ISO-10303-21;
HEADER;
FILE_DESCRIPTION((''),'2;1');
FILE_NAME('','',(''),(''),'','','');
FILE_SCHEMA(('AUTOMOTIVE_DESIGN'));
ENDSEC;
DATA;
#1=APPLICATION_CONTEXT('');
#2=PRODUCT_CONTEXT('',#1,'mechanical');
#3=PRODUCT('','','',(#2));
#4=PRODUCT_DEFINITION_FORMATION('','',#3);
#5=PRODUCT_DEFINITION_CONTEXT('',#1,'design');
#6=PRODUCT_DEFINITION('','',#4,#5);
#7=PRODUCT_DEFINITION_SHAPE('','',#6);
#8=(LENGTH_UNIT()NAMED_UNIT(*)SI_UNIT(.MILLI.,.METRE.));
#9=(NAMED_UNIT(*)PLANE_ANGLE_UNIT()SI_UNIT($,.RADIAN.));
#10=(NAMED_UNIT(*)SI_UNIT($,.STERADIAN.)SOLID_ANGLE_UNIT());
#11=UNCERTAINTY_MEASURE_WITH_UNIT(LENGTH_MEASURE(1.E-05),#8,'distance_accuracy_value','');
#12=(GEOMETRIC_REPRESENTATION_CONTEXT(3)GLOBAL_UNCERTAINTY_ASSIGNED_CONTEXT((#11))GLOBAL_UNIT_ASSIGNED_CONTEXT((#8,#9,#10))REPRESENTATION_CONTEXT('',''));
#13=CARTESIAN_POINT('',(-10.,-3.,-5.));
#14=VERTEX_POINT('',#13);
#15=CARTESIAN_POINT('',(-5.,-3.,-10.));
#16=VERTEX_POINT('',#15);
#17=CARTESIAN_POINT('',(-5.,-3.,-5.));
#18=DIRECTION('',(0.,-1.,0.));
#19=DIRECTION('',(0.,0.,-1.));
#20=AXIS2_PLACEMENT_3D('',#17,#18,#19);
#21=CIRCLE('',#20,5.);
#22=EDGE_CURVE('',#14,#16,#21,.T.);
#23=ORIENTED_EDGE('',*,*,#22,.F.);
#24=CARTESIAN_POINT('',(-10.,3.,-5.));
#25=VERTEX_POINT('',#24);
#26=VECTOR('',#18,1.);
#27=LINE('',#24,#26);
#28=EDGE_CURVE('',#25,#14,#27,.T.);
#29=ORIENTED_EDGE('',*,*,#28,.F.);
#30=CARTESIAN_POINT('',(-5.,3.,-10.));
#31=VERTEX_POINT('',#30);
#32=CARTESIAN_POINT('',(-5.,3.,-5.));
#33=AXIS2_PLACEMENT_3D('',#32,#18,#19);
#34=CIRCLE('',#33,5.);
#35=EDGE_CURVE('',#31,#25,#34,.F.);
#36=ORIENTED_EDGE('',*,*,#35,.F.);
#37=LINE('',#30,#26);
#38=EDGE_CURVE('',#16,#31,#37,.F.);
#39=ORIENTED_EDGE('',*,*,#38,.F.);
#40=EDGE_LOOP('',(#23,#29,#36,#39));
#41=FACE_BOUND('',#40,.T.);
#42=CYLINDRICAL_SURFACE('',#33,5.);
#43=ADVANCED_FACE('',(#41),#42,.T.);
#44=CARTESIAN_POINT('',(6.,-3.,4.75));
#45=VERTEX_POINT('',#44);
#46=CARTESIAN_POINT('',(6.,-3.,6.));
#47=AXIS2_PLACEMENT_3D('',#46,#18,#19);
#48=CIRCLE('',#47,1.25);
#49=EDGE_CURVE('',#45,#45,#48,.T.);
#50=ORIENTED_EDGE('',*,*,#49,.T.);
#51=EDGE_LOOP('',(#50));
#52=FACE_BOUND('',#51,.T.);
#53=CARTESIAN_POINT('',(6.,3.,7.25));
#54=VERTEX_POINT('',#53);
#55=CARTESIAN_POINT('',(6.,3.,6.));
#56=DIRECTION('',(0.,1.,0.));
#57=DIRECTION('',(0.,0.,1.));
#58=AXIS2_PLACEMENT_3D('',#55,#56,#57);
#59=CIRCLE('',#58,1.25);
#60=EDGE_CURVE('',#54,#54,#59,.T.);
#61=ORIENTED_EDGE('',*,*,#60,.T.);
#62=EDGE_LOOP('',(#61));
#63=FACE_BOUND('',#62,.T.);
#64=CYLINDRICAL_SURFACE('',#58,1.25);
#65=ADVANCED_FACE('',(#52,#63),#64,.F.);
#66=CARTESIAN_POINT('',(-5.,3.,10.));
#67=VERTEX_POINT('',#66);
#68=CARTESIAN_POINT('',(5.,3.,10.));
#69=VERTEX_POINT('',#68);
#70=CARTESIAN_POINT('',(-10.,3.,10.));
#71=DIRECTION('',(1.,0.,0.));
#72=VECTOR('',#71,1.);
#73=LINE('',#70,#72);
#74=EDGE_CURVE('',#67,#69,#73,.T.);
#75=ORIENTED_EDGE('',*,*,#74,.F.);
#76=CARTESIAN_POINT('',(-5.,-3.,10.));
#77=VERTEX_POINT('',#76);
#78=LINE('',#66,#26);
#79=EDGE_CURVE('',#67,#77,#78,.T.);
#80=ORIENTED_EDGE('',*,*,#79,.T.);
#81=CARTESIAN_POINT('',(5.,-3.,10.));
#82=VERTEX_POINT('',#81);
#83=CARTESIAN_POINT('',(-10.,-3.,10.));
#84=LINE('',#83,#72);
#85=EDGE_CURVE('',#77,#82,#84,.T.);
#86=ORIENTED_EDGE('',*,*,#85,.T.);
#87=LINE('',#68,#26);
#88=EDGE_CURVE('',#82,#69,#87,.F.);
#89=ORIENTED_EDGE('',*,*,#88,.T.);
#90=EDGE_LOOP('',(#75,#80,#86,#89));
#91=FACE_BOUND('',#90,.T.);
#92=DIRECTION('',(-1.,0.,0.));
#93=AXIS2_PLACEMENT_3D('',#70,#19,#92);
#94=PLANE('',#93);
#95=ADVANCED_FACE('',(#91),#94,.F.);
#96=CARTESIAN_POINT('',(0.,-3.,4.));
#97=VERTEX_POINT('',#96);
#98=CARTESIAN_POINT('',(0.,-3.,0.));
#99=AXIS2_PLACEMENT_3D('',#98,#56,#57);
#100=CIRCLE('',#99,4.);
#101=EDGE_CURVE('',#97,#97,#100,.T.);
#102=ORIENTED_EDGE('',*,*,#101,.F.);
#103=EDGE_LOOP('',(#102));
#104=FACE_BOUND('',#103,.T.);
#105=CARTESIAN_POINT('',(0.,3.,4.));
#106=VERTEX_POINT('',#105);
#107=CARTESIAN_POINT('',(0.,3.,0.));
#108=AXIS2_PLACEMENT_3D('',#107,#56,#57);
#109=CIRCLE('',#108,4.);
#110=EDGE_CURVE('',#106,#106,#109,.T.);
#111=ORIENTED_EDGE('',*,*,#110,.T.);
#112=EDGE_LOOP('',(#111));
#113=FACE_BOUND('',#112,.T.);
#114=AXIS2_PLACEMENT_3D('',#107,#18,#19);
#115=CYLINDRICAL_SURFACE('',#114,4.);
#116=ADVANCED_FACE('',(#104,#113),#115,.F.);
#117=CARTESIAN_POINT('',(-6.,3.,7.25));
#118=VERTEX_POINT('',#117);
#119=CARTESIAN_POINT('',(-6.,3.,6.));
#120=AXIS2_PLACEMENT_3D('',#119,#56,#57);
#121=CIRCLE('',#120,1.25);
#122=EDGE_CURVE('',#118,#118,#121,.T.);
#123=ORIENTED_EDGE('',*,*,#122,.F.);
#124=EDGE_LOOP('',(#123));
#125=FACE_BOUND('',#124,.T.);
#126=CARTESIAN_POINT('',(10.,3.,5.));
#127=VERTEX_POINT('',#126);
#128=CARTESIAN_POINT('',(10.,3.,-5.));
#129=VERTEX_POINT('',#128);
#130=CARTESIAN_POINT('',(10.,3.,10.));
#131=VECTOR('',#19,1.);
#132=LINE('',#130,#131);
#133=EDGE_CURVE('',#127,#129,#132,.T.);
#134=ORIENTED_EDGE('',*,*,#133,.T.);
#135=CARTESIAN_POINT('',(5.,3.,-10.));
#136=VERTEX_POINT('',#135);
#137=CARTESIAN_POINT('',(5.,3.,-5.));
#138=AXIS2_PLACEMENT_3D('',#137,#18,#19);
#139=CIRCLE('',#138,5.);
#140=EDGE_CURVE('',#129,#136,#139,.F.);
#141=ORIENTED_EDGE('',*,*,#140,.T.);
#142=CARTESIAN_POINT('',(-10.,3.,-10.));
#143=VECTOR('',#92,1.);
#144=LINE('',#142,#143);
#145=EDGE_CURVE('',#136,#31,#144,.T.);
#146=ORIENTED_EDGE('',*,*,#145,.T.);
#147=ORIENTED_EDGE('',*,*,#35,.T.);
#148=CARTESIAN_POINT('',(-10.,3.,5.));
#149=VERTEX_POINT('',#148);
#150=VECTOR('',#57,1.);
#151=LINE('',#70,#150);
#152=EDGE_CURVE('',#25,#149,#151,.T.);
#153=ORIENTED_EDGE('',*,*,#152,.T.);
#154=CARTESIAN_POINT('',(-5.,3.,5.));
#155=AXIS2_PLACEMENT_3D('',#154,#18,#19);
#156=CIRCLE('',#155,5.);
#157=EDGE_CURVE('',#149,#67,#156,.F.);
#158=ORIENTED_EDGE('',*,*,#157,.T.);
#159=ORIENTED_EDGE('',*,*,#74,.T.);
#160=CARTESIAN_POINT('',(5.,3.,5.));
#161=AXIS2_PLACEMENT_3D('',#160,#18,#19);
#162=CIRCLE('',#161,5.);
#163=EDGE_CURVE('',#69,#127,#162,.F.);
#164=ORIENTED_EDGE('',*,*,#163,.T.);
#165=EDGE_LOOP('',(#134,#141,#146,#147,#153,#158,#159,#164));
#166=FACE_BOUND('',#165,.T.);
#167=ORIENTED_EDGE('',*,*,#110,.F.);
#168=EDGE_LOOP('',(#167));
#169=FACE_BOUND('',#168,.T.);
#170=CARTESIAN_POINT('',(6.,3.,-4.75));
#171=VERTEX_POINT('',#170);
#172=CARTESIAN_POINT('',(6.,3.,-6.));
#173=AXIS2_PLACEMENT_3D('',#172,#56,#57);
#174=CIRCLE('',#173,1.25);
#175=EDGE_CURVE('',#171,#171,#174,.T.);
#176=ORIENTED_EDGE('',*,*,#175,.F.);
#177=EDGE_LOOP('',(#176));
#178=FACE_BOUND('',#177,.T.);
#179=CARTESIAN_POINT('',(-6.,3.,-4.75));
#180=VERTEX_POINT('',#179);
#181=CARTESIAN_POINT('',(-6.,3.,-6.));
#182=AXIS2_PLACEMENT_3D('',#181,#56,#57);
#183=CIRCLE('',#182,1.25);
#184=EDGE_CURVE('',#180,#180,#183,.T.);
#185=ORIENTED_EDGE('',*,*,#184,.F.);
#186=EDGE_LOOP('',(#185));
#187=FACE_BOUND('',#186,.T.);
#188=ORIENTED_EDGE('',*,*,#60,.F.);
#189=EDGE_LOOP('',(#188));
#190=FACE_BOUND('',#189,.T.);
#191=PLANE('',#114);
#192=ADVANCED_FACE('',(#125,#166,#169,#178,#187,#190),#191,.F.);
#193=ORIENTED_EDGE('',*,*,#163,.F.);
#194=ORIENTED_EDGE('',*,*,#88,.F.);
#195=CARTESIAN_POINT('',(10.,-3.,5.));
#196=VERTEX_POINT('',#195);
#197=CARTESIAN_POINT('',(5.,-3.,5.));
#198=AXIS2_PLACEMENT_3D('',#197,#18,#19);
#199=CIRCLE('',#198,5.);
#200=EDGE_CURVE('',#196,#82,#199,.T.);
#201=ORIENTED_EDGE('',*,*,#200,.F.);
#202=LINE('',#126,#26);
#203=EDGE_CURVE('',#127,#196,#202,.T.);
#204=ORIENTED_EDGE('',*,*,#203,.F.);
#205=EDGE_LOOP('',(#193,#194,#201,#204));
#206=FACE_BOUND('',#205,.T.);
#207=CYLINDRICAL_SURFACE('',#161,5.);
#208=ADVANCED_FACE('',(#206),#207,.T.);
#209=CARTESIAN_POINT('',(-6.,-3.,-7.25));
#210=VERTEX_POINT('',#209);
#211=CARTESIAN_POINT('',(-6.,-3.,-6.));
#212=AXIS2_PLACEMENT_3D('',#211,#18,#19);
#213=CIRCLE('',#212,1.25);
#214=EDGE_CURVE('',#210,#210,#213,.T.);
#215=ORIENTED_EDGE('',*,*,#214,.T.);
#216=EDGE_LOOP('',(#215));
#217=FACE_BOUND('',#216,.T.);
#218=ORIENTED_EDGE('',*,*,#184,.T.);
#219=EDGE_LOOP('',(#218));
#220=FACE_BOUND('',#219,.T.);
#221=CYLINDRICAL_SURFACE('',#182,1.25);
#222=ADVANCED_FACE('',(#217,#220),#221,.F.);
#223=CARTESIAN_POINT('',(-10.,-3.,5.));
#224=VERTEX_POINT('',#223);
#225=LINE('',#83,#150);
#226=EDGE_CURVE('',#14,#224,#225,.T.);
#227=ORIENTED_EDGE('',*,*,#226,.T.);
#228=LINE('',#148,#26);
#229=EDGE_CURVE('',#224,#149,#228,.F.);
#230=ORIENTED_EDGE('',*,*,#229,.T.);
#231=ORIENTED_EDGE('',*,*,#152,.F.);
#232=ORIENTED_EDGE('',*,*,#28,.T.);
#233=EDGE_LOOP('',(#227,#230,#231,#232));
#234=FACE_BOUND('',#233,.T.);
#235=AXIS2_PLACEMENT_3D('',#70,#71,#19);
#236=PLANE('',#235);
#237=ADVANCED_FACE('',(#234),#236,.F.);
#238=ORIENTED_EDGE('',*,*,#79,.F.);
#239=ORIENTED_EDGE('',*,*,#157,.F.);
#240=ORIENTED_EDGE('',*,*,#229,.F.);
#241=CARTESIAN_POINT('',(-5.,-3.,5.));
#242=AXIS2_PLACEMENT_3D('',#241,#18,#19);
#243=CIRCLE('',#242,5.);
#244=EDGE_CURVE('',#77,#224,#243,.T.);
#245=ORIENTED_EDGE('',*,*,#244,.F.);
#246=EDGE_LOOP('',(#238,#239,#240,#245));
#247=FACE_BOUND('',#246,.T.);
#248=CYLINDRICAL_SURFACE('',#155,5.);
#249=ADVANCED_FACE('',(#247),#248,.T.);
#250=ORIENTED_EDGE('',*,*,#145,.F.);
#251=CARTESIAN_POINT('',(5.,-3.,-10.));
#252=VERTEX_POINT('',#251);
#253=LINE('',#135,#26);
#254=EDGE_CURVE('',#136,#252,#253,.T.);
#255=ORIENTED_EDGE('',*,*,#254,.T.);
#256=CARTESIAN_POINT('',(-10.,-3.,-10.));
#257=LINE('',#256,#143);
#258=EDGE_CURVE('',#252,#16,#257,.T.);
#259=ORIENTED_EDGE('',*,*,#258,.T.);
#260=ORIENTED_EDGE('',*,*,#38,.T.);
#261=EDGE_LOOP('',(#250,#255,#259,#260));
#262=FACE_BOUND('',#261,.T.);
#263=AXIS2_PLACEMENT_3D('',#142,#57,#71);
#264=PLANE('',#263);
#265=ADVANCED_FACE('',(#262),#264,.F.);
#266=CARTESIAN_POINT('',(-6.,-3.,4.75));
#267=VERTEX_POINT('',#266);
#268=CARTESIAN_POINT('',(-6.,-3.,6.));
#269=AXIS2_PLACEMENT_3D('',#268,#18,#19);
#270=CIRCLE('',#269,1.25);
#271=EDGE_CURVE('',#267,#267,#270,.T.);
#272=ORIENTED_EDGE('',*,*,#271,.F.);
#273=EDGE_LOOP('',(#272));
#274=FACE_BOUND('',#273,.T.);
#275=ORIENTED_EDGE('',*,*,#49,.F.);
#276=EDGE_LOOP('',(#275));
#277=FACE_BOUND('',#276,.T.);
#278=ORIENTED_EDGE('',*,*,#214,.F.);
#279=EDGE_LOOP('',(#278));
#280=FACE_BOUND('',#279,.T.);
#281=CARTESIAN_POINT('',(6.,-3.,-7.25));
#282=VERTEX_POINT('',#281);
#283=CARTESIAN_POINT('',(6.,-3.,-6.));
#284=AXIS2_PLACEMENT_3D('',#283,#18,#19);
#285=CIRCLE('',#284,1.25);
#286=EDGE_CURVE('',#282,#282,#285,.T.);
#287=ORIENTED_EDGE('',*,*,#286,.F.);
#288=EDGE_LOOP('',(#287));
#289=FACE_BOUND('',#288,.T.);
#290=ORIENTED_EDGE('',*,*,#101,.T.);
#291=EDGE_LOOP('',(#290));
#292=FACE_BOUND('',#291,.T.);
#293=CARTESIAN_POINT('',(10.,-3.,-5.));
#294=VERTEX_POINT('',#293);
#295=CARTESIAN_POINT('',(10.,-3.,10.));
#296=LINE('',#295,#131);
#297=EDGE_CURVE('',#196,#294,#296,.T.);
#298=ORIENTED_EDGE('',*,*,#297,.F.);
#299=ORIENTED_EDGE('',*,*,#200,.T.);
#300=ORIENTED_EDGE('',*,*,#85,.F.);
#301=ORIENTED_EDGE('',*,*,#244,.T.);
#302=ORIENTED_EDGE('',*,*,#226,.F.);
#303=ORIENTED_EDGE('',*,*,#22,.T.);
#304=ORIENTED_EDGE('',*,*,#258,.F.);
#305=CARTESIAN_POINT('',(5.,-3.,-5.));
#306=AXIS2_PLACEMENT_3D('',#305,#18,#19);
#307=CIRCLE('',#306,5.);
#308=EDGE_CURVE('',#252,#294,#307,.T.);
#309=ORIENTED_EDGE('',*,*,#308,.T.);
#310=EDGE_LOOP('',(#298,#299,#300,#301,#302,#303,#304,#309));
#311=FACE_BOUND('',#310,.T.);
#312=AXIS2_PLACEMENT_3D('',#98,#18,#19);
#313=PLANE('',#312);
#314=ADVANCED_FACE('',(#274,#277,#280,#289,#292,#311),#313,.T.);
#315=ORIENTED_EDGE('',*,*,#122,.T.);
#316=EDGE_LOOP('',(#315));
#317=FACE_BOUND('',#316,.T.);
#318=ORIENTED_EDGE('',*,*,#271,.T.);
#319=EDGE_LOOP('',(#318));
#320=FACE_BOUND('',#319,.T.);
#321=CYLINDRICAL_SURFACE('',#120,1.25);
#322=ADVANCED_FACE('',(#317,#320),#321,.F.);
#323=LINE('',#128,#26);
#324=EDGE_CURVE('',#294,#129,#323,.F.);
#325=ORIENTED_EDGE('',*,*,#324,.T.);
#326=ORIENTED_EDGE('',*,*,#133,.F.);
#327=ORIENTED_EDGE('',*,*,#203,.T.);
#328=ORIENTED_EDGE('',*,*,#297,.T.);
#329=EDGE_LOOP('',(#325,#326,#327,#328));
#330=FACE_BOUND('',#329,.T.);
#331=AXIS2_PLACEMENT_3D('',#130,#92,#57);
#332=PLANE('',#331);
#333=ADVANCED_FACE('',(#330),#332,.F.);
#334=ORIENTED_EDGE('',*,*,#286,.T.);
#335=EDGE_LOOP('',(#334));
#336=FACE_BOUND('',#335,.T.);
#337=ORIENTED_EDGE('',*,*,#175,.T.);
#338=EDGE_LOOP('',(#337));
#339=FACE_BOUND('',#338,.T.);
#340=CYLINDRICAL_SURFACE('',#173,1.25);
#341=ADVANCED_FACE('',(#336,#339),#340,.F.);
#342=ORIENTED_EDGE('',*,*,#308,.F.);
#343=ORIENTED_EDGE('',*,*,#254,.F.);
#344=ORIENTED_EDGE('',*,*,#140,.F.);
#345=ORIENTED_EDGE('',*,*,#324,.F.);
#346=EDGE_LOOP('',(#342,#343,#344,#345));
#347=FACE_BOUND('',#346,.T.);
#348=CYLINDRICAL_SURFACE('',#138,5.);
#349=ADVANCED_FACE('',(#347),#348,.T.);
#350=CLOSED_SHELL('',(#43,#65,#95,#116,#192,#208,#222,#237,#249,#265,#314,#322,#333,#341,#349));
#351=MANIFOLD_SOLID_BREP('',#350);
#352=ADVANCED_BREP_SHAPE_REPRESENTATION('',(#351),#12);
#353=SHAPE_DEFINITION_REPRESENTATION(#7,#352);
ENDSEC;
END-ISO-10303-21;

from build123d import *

# Parameters (mm, degrees)
CROQUIS1_W                = 20
CROQUIS1_H                = 20
CROQUIS1_R                = 4
SALIENTE_EXTRUIR1_DEPTH   = 3
TALADRO_ROSCADO_M3X0_52_D = 2.5
REDONDEO1_R               = 5


with BuildPart() as part:
    # Croquis1 → Saliente-Extruir1 (new, symmetric)
    with BuildSketch(Plane(origin=(0, 0, 0), x_dir=(1, 0, 0), z_dir=(0, 1, 0))):
        Rectangle(CROQUIS1_W, CROQUIS1_H)
        with Locations(Location((0, 0, 0), (0, 0, 270))):
            Circle(CROQUIS1_R, mode=Mode.SUBTRACT)
    extrude(amount=SALIENTE_EXTRUIR1_DEPTH, both=True)

    # Taladro roscado M3x0.52 (through all)
    with Locations(Plane(origin=(0, 3, 0), x_dir=(1, 0, 0), z_dir=(0, 1, 0))):
        with Locations((6, 6), (-6, 6), (-6, -6), (6, -6)):
            Hole(TALADRO_ROSCADO_M3X0_52_D / 2)

    # Redondeo1
    redondeo1_edges = [part.edges().sort_by_distance(p)[0] for p in [
        (10, 0, 10),
        (-10, 0, 10),
        (-10, 0, -10),
        (10, 0, -10),
    ]]
    fillet(redondeo1_edges, radius=REDONDEO1_R)


solid = part.part
